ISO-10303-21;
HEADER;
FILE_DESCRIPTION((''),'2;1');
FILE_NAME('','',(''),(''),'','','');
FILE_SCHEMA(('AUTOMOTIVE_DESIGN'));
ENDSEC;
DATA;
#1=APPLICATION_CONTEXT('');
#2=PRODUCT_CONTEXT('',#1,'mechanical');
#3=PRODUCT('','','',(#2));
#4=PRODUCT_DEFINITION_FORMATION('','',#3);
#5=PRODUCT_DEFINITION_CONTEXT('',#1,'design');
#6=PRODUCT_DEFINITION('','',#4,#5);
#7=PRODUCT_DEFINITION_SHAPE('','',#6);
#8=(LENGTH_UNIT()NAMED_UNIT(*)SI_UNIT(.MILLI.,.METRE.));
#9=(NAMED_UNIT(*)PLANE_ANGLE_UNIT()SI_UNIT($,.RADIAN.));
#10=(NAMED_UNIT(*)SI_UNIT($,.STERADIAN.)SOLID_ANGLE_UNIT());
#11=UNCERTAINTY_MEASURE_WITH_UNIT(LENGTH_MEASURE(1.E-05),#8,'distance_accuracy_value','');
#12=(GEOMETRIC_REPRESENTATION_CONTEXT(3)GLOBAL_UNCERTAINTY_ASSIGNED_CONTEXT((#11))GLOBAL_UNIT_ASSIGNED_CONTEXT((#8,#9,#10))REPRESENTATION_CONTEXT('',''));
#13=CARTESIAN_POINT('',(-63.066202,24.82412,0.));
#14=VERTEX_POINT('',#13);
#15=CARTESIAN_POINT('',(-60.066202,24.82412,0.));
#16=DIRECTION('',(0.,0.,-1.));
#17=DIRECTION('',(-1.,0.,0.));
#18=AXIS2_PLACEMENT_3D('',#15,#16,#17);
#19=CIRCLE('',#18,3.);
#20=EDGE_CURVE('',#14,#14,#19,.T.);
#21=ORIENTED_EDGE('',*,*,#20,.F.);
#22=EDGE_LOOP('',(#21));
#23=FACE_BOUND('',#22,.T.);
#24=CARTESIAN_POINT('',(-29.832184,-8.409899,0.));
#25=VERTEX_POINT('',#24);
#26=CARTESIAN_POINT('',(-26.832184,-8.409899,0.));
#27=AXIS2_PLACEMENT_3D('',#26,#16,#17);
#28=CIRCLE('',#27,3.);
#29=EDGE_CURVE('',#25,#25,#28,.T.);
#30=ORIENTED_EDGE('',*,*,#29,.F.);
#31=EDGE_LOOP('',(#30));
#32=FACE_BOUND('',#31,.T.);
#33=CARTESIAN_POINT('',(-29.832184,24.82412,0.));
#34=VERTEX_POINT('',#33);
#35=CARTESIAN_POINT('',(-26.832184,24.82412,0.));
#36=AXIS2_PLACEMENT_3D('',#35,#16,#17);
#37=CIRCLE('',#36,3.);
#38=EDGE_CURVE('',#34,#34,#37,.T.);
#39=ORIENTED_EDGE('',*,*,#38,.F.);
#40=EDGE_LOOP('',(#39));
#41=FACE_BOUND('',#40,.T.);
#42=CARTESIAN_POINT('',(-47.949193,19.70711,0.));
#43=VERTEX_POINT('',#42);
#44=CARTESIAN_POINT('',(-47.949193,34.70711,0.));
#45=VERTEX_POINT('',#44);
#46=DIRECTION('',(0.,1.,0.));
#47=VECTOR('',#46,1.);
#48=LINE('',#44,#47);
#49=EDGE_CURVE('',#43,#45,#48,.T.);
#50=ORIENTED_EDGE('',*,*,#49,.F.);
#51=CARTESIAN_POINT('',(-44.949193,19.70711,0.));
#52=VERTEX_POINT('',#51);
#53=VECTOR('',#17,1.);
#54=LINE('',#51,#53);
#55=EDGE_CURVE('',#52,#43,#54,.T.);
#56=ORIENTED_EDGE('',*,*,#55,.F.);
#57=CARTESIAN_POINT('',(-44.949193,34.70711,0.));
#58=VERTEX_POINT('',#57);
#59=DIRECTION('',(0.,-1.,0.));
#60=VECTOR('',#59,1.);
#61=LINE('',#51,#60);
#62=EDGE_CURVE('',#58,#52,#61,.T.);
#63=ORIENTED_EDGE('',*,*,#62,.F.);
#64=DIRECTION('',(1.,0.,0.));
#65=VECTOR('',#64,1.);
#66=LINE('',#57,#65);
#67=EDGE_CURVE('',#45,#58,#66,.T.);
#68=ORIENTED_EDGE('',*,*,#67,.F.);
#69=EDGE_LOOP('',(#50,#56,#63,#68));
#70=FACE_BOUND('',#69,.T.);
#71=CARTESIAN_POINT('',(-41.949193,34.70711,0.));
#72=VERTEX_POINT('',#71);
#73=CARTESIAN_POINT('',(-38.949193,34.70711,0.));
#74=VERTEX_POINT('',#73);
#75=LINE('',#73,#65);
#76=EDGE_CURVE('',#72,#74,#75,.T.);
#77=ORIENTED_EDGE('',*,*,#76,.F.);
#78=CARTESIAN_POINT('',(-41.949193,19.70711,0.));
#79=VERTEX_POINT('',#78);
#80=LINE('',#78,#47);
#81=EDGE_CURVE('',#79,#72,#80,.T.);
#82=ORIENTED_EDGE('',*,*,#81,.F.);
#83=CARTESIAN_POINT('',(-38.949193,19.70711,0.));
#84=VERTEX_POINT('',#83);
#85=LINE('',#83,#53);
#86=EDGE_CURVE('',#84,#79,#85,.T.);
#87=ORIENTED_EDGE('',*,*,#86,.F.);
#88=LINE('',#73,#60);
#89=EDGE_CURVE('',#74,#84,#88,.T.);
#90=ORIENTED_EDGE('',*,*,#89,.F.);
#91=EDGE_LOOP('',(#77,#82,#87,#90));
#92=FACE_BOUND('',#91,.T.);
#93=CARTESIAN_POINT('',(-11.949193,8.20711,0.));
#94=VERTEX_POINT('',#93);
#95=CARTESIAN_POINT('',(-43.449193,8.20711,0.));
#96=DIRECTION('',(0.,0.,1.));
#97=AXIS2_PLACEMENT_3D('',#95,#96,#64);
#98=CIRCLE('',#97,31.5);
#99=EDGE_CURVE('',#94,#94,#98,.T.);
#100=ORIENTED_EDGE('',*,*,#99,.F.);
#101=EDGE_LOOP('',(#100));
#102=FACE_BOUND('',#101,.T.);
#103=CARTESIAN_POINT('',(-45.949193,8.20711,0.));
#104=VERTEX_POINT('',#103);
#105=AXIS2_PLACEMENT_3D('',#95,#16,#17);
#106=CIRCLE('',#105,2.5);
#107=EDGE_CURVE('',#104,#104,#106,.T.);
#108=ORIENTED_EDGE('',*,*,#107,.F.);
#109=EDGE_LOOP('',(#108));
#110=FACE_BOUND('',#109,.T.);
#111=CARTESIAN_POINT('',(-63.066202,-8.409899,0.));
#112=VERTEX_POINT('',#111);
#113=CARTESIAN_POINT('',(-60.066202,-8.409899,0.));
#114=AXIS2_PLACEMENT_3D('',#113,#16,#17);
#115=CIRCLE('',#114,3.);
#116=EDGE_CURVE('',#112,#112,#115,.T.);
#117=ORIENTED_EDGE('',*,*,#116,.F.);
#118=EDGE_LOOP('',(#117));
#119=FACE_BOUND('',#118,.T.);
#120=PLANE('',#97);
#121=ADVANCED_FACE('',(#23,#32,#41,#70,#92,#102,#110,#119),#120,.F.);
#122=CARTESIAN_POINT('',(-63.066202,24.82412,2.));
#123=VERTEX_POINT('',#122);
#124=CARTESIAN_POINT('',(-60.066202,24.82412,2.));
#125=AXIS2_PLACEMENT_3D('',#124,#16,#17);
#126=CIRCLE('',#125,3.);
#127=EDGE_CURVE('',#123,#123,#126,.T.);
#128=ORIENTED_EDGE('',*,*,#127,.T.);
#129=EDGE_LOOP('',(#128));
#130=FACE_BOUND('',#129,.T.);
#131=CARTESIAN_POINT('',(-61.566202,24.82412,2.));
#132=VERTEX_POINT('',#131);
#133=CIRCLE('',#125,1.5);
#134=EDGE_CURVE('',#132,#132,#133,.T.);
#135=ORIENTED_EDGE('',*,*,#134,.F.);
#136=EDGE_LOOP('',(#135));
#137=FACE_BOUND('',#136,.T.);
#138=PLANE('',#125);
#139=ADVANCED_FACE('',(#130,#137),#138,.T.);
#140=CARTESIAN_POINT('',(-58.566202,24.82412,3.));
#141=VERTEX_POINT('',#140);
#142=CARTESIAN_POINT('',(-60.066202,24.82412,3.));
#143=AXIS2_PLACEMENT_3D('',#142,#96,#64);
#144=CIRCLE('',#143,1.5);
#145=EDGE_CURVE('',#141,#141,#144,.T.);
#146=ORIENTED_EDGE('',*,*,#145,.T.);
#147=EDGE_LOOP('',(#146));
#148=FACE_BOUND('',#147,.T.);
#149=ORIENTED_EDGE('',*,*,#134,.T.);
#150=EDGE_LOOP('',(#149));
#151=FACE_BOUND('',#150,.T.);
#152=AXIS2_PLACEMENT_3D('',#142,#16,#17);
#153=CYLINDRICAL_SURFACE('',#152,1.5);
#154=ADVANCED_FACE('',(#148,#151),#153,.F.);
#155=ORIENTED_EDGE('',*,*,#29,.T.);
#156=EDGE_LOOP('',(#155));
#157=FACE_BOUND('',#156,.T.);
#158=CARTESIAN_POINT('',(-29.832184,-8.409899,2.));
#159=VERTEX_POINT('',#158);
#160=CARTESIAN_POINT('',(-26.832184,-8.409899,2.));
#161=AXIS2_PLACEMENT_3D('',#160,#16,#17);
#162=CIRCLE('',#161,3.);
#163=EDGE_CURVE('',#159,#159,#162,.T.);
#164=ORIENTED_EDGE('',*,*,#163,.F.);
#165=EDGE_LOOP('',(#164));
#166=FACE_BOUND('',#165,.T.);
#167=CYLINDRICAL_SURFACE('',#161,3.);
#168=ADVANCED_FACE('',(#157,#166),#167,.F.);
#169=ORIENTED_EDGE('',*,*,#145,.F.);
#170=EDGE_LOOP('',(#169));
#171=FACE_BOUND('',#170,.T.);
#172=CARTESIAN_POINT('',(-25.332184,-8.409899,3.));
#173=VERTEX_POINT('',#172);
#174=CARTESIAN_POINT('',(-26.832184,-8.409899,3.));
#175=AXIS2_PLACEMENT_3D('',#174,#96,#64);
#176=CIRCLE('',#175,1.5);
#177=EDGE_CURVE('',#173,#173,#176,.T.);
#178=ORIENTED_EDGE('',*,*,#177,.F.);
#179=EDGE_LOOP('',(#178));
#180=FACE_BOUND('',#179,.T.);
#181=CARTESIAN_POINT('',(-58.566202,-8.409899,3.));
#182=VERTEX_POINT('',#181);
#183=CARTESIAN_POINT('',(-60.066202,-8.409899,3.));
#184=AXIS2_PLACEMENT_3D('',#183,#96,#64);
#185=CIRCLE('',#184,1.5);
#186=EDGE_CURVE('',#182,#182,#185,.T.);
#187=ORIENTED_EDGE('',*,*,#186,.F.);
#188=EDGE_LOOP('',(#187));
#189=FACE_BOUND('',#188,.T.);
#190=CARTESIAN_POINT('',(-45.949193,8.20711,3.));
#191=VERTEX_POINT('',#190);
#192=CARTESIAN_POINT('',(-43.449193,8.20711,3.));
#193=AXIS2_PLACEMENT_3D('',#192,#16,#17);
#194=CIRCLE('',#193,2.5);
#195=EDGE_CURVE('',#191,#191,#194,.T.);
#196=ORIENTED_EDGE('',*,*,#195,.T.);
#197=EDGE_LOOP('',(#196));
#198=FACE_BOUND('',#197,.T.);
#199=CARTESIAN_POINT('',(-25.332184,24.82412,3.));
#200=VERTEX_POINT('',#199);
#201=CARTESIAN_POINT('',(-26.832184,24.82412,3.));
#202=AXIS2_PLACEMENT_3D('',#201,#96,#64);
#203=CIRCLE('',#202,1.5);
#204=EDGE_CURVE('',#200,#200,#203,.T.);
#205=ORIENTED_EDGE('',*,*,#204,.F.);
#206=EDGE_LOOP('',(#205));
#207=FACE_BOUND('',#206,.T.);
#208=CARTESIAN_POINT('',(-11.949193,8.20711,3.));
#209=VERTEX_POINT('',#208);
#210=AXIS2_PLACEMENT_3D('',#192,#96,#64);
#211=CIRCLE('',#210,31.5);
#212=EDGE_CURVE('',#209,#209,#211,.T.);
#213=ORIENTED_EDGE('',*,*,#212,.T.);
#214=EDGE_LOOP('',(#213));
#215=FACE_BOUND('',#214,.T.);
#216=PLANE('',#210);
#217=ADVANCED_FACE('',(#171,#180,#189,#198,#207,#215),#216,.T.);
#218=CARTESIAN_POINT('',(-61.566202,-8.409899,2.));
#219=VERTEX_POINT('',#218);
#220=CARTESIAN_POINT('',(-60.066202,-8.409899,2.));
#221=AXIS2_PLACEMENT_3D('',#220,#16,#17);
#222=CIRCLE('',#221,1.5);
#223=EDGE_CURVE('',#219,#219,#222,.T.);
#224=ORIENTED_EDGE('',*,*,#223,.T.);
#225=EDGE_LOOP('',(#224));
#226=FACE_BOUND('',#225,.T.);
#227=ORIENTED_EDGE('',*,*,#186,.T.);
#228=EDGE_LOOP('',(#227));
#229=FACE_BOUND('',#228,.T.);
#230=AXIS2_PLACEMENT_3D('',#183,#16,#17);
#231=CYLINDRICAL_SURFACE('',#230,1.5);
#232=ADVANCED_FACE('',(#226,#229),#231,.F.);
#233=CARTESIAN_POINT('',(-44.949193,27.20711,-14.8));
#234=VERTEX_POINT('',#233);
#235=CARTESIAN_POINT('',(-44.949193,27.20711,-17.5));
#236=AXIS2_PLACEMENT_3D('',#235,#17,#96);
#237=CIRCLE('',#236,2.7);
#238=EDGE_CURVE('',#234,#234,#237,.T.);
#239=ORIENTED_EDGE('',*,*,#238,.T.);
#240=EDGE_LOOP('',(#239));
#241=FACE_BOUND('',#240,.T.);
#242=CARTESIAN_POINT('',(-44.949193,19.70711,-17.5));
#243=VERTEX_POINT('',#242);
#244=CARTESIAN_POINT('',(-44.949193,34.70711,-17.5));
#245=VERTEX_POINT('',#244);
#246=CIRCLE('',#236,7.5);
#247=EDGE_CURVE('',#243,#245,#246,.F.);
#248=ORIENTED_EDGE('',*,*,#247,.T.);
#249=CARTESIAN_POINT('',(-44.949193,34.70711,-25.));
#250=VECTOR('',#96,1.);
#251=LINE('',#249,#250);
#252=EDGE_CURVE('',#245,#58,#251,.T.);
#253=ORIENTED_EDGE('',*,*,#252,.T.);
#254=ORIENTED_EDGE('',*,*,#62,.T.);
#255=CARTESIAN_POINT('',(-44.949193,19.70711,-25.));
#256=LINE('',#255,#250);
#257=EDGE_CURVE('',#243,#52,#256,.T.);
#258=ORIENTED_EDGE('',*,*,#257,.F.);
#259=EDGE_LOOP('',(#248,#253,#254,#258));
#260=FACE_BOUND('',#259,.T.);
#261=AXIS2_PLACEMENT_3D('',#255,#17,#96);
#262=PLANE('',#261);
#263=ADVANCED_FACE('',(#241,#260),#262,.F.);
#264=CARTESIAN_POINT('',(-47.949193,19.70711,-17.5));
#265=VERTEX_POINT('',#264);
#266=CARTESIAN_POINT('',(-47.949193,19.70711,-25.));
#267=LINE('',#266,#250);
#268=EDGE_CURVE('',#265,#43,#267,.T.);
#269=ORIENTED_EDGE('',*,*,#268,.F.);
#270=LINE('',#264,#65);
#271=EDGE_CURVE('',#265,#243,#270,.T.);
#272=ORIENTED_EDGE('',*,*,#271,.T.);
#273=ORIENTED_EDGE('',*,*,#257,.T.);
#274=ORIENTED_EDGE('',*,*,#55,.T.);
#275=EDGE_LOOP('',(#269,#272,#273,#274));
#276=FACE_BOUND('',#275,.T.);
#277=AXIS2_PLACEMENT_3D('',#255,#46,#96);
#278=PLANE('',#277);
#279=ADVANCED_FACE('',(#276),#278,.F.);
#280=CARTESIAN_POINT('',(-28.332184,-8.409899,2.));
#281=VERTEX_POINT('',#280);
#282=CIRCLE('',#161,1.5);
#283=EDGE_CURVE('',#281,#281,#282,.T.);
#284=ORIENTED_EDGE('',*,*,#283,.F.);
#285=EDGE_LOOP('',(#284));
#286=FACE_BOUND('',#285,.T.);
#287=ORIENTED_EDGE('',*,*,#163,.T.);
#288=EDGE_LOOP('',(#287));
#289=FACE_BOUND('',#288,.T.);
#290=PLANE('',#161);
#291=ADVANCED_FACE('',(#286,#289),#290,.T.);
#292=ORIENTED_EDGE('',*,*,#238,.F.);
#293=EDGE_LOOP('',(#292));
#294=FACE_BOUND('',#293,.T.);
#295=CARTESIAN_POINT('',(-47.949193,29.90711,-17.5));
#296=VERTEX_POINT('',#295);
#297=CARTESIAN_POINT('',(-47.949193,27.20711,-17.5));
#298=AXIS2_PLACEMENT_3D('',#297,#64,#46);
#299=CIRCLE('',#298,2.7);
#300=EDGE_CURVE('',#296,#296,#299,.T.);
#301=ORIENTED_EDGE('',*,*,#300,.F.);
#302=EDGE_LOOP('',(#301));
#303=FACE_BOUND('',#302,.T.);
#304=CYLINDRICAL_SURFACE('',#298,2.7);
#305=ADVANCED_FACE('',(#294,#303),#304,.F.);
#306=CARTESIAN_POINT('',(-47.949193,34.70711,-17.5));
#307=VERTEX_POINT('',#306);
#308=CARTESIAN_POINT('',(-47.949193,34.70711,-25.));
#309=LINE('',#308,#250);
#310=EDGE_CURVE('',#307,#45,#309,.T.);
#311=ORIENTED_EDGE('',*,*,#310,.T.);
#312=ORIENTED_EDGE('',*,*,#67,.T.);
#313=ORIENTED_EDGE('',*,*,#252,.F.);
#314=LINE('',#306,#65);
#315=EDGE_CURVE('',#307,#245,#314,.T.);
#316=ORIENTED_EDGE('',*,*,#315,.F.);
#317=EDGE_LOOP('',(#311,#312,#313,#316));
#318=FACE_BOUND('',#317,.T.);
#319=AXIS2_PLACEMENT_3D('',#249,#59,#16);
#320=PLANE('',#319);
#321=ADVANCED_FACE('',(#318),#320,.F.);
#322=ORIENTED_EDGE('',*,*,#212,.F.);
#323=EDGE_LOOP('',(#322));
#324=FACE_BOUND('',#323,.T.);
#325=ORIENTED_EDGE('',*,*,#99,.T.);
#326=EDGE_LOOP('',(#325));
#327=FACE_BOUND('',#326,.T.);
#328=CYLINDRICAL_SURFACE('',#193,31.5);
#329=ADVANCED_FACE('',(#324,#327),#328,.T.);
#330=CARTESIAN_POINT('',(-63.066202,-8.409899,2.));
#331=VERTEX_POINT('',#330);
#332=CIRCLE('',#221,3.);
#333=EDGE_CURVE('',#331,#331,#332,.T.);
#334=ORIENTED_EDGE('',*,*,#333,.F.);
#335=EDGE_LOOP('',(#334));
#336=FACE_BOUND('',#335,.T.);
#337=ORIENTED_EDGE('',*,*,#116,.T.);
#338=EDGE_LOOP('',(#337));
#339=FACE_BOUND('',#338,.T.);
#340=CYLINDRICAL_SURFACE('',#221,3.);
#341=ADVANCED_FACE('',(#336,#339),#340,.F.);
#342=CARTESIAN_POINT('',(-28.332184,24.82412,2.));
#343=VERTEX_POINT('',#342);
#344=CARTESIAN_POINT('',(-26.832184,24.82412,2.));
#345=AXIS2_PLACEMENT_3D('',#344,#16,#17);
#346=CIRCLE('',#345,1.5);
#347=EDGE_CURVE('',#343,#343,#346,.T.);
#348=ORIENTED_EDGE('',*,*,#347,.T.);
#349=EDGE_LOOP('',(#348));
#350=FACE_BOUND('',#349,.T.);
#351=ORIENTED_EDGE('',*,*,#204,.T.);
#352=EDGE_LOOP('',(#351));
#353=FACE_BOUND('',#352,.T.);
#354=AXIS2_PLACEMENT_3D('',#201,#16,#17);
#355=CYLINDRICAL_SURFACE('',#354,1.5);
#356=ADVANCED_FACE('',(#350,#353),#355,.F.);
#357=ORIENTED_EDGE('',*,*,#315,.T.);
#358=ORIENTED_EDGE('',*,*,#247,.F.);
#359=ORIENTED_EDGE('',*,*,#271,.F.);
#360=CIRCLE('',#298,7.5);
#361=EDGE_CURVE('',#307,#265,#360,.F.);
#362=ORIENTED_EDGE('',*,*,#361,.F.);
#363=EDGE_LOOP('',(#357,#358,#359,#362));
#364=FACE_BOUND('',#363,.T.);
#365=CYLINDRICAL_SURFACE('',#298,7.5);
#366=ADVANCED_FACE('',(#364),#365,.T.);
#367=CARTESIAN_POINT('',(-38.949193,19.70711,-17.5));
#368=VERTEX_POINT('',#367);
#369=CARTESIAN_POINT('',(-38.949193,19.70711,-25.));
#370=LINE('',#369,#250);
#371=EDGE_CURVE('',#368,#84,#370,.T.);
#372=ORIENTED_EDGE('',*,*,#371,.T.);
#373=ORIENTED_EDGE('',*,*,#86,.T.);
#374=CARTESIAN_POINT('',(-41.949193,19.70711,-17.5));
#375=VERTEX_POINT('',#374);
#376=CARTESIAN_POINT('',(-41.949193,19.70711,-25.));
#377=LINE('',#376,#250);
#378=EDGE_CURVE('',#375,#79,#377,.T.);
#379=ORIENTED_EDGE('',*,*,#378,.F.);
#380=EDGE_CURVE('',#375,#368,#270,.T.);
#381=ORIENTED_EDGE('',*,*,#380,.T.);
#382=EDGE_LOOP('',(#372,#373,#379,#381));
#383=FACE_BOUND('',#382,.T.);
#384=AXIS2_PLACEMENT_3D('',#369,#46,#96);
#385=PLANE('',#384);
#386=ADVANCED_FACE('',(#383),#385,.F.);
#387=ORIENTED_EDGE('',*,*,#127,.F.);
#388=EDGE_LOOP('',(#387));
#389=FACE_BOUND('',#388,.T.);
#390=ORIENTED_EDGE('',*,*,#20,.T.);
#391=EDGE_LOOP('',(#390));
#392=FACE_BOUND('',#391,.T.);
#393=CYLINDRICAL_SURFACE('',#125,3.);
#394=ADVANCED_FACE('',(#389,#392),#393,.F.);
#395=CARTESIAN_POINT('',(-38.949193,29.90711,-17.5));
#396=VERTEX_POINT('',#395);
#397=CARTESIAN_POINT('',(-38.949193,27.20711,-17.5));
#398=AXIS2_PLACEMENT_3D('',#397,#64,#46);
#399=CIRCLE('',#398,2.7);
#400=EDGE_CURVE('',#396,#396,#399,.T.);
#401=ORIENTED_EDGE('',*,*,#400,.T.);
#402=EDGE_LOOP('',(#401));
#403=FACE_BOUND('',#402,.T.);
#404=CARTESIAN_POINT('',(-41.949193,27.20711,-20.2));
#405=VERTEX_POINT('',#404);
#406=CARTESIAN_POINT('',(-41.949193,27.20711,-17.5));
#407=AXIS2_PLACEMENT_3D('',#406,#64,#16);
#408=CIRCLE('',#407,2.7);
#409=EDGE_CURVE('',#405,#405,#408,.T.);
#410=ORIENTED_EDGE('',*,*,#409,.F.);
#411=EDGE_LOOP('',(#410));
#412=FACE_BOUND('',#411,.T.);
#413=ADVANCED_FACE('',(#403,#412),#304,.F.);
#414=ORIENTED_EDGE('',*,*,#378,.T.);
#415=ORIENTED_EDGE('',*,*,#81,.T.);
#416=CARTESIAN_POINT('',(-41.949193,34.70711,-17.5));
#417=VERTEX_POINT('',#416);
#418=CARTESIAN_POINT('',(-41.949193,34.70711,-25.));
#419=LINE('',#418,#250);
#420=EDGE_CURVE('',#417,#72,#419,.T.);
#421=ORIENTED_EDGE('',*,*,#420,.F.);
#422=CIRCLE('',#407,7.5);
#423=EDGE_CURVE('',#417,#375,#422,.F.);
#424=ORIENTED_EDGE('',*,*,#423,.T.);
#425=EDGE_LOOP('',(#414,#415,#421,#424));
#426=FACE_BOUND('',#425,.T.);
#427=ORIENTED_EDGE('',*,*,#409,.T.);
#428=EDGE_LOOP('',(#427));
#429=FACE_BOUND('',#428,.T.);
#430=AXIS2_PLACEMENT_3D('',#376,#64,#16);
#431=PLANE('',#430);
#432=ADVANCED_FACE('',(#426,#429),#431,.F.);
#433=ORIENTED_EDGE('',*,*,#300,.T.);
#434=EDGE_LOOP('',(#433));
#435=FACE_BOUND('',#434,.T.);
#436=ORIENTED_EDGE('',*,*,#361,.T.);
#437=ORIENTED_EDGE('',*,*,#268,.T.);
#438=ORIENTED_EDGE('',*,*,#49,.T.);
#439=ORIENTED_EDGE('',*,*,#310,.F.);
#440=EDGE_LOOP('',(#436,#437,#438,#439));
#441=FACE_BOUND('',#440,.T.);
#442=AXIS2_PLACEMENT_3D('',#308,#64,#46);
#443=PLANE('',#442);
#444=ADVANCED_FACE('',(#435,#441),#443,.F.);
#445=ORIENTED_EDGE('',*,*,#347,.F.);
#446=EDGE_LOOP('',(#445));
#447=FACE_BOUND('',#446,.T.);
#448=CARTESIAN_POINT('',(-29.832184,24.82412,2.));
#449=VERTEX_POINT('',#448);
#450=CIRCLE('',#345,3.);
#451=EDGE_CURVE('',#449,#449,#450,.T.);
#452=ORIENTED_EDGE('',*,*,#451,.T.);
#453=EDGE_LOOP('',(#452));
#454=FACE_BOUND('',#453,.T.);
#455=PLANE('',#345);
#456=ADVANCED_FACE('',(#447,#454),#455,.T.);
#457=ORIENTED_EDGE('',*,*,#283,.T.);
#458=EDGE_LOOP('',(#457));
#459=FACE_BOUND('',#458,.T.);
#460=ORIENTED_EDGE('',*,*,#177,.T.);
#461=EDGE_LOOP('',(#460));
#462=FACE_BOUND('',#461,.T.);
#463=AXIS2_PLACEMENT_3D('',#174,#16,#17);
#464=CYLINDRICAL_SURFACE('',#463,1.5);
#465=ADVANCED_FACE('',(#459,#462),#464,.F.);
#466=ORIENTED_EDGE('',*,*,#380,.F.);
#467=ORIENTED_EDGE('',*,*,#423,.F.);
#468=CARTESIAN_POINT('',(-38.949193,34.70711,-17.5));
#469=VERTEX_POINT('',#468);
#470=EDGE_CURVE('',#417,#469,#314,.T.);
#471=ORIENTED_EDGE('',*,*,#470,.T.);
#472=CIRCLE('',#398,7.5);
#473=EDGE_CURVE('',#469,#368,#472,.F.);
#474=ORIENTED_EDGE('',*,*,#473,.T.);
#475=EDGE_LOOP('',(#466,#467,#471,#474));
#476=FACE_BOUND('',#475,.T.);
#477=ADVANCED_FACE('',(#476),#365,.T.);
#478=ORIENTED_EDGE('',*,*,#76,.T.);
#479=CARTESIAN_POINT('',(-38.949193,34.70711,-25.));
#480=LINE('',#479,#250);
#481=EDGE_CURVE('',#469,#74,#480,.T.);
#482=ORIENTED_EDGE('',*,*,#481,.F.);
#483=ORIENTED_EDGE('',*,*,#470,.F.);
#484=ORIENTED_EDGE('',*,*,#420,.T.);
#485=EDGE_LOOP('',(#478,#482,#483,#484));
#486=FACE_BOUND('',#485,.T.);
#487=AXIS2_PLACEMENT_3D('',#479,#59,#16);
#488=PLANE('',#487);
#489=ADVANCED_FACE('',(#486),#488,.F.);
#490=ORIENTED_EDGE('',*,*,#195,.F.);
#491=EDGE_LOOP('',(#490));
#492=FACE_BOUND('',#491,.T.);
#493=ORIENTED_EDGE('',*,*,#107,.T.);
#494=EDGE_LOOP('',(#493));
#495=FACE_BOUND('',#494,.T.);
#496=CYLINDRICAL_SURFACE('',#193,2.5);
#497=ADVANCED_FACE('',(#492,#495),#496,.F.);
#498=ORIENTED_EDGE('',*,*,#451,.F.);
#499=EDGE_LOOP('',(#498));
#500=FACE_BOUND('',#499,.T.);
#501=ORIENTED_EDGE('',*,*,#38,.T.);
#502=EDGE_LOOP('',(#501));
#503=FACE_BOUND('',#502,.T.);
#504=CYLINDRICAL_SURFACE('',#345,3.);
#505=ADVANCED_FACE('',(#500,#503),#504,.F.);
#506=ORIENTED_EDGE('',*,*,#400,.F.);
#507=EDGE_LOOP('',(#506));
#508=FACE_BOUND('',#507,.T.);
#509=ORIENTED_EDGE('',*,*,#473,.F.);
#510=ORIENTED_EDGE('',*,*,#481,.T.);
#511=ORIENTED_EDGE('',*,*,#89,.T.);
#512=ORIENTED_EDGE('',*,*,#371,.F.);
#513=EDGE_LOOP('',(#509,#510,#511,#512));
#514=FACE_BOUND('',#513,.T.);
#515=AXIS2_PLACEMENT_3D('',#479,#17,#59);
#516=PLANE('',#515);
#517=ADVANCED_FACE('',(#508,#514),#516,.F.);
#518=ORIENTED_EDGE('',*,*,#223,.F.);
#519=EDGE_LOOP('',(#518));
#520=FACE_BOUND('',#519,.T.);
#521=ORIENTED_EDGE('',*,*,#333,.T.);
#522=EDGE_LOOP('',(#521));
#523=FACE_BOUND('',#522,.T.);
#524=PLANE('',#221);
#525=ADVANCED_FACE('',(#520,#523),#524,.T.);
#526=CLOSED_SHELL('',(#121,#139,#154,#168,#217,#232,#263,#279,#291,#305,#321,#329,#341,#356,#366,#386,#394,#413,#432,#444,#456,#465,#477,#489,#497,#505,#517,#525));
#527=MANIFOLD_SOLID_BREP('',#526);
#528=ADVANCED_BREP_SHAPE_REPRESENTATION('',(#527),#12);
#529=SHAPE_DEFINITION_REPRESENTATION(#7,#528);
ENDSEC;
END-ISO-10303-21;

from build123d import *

# Parameters (mm, degrees)
CROQUIS1_R              = 31.5
CROQUIS1_R_2            = 1.5
SALIENTE_EXTRUIR1_DEPTH = 3
CROQUIS4_R              = 2.5
CORTAR_EXTRUIR3_DEPTH   = 3
CROQUIS5_W              = 3
CROQUIS5_H              = 15
SALIENTE_EXTRUIR2_DEPTH = 25
CORTAR_EXTRUIR4_START   = -9
CROQUIS6_R              = 2.7
CORTAR_EXTRUIR4_DEPTH   = 9
CROQUIS7_R              = 3
CORTAR_EXTRUIR5_DEPTH   = 2


with BuildPart() as part:
    # Croquis1 → Saliente-Extruir1 (new body)
    with BuildSketch(Plane.XY):
        with Locations((-43.449193048, 8.207110309)):
            Circle(CROQUIS1_R)
        with Locations((-60.066202406, 24.824119667)):
            Circle(CROQUIS1_R_2, mode=Mode.SUBTRACT)
        with Locations((-26.83218369, 24.824119667)):
            Circle(CROQUIS1_R_2, mode=Mode.SUBTRACT)
        with Locations((-26.83218369, -8.409899049)):
            Circle(CROQUIS1_R_2, mode=Mode.SUBTRACT)
        with Locations((-60.066202406, -8.409899049)):
            Circle(CROQUIS1_R_2, mode=Mode.SUBTRACT)
    extrude(amount=SALIENTE_EXTRUIR1_DEPTH)

    # Croquis4 → Cortar-Extruir3 (cut)
    with BuildSketch(Plane(origin=(0, 0, 0), x_dir=(-1, 0, 0), z_dir=(0, 0, -1))):
        with Locations((43.449193048, 8.207110309)):
            Circle(CROQUIS4_R)
    extrude(amount=-CORTAR_EXTRUIR3_DEPTH, mode=Mode.SUBTRACT)

    # Croquis5 → Saliente-Extruir2 (add)
    with BuildSketch(Plane(origin=(0, 0, 0), x_dir=(-1, 0, 0), z_dir=(0, 0, -1))):
        with Locations((40.449193048, 27.207110309)):
            Rectangle(CROQUIS5_W, CROQUIS5_H)
        with Locations((46.449193048, 27.207110309)):
            Rectangle(CROQUIS5_W, CROQUIS5_H)
    extrude(amount=SALIENTE_EXTRUIR2_DEPTH)

    # Croquis6 → Cortar-Extruir4 (cut)
    with BuildSketch(Plane(origin=(-38.949193048, 0, 0), x_dir=(0, 0, -1), z_dir=(1, 0, 0)).offset(CORTAR_EXTRUIR4_START)):
        with BuildLine():
            Line((25, 34.707110309), (17.5, 34.707110309))
            ThreePointArc((17.5, 34.707110309), (22.803300859, 32.510411168), (25, 27.207110309))
            Line((25, 27.207110309), (25, 34.707110309))
        make_face()
        with BuildLine():
            Line((25, 19.707110309), (25, 27.207110309))
            ThreePointArc((25, 27.207110309), (22.803300859, 21.90380945), (17.5, 19.707110309))
            Line((17.5, 19.707110309), (25, 19.707110309))
        make_face()
        with Locations(Location((17.5, 27.207110309, 0), (0, 0, 90))):
            Circle(CROQUIS6_R)
    extrude(amount=CORTAR_EXTRUIR4_DEPTH, mode=Mode.SUBTRACT)

    # Croquis7 → Cortar-Extruir5 (cut)
    with BuildSketch(Plane(origin=(0, 0, 0), x_dir=(-1, 0, 0), z_dir=(0, 0, -1))):
        with Locations((26.83218369, 24.824119667)):
            Circle(CROQUIS7_R)
        with Locations((60.066202406, 24.824119667)):
            Circle(CROQUIS7_R)
        with Locations((60.066202406, -8.409899049)):
            Circle(CROQUIS7_R)
        with Locations((26.83218369, -8.409899049)):
            Circle(CROQUIS7_R)
    extrude(amount=-CORTAR_EXTRUIR5_DEPTH, mode=Mode.SUBTRACT)


solid = part.part
